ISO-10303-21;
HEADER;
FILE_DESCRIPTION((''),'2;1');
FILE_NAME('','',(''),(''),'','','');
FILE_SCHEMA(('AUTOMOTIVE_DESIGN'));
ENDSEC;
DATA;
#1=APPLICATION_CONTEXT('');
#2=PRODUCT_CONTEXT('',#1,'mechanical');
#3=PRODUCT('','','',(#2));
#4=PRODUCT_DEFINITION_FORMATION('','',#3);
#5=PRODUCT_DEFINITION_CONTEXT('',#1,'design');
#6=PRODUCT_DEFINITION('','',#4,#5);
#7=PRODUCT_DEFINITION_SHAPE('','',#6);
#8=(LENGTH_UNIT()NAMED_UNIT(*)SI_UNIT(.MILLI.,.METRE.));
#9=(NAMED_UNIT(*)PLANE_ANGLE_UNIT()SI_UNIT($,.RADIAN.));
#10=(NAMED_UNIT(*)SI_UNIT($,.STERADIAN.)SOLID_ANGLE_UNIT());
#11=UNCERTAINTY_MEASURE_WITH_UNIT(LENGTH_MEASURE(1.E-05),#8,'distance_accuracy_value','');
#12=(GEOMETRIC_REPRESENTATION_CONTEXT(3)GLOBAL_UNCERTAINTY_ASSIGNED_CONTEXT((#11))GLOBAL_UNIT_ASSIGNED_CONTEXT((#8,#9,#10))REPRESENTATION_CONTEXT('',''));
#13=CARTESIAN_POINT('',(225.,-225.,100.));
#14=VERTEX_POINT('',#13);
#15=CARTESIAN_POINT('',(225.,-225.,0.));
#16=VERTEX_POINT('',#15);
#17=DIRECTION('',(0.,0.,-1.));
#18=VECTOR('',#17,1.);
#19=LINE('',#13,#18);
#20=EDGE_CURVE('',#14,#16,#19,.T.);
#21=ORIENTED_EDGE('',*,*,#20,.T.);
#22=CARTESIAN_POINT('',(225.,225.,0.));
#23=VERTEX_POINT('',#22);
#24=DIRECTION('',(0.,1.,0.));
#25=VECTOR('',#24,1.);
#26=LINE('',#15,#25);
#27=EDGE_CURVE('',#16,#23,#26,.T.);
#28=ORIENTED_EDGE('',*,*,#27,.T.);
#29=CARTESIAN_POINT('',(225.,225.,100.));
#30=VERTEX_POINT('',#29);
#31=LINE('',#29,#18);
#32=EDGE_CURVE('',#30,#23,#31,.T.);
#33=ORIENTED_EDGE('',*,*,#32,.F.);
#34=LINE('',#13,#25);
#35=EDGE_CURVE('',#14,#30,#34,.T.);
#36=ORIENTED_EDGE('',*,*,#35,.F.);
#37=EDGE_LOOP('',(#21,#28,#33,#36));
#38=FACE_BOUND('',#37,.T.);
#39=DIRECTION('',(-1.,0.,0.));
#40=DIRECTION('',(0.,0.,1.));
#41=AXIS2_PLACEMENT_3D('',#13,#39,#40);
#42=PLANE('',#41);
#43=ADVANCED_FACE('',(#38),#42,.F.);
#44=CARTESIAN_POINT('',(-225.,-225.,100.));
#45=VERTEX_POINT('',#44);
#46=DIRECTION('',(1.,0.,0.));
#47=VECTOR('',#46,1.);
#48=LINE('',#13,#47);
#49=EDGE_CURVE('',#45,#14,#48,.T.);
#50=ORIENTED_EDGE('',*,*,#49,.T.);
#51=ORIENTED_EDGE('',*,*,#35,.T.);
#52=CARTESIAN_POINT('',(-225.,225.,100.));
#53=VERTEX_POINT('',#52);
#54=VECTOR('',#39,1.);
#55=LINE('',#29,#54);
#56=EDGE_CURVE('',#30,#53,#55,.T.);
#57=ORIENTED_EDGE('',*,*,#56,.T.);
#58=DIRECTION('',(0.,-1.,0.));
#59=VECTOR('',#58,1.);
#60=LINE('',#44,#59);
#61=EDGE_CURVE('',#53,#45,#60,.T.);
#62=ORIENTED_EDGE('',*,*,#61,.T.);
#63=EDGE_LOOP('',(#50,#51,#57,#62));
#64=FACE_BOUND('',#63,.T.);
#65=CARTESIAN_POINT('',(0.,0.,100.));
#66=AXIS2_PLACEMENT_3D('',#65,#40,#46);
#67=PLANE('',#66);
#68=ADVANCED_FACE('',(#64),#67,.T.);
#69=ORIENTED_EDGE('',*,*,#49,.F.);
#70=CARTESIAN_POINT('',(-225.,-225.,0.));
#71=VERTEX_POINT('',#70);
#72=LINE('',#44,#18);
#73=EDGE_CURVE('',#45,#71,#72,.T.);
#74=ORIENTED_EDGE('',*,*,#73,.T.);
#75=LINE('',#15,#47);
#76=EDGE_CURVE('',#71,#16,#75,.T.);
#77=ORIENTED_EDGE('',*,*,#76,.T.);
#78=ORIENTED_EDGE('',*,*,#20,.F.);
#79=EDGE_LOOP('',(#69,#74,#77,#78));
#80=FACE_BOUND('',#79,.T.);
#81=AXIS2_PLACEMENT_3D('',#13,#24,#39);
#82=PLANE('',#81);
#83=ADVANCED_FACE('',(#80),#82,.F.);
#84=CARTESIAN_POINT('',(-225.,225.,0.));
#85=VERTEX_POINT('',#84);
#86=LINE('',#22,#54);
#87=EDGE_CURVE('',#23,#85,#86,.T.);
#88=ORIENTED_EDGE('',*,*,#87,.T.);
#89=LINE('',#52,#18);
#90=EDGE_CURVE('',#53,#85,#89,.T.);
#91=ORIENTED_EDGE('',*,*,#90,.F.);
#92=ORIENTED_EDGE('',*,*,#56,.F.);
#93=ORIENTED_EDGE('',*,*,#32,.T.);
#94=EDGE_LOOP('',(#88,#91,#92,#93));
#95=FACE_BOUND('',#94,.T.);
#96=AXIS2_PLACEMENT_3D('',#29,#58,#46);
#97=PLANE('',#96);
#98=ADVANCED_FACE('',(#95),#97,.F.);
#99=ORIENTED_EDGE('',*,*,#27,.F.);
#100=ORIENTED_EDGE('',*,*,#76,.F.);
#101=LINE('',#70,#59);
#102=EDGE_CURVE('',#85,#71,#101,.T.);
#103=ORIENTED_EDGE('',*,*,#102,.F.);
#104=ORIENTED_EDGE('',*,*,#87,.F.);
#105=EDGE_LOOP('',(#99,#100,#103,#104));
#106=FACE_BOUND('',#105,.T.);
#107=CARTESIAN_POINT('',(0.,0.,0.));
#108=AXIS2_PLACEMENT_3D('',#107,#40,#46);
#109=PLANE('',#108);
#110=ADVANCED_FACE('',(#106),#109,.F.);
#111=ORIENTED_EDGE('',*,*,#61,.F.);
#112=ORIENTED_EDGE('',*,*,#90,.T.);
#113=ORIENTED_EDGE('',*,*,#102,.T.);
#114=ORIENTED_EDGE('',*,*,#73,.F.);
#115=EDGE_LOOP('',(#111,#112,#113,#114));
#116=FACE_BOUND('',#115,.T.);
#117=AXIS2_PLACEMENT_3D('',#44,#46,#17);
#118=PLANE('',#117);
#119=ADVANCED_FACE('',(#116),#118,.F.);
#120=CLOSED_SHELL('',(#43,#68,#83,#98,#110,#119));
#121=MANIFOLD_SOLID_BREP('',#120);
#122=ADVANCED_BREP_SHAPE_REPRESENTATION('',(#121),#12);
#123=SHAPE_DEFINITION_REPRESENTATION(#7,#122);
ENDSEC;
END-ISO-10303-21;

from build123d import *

# Parameters (mm, degrees)
CROQUIS2_W              = 450
CROQUIS2_H              = 450
SALIENTE_EXTRUIR1_DEPTH = 100


with BuildPart() as part:
    # Croquis2 → Saliente-Extruir1 (new body)
    with BuildSketch(Plane.XY):
        Rectangle(CROQUIS2_W, CROQUIS2_H)
    extrude(amount=SALIENTE_EXTRUIR1_DEPTH)


solid = part.part
